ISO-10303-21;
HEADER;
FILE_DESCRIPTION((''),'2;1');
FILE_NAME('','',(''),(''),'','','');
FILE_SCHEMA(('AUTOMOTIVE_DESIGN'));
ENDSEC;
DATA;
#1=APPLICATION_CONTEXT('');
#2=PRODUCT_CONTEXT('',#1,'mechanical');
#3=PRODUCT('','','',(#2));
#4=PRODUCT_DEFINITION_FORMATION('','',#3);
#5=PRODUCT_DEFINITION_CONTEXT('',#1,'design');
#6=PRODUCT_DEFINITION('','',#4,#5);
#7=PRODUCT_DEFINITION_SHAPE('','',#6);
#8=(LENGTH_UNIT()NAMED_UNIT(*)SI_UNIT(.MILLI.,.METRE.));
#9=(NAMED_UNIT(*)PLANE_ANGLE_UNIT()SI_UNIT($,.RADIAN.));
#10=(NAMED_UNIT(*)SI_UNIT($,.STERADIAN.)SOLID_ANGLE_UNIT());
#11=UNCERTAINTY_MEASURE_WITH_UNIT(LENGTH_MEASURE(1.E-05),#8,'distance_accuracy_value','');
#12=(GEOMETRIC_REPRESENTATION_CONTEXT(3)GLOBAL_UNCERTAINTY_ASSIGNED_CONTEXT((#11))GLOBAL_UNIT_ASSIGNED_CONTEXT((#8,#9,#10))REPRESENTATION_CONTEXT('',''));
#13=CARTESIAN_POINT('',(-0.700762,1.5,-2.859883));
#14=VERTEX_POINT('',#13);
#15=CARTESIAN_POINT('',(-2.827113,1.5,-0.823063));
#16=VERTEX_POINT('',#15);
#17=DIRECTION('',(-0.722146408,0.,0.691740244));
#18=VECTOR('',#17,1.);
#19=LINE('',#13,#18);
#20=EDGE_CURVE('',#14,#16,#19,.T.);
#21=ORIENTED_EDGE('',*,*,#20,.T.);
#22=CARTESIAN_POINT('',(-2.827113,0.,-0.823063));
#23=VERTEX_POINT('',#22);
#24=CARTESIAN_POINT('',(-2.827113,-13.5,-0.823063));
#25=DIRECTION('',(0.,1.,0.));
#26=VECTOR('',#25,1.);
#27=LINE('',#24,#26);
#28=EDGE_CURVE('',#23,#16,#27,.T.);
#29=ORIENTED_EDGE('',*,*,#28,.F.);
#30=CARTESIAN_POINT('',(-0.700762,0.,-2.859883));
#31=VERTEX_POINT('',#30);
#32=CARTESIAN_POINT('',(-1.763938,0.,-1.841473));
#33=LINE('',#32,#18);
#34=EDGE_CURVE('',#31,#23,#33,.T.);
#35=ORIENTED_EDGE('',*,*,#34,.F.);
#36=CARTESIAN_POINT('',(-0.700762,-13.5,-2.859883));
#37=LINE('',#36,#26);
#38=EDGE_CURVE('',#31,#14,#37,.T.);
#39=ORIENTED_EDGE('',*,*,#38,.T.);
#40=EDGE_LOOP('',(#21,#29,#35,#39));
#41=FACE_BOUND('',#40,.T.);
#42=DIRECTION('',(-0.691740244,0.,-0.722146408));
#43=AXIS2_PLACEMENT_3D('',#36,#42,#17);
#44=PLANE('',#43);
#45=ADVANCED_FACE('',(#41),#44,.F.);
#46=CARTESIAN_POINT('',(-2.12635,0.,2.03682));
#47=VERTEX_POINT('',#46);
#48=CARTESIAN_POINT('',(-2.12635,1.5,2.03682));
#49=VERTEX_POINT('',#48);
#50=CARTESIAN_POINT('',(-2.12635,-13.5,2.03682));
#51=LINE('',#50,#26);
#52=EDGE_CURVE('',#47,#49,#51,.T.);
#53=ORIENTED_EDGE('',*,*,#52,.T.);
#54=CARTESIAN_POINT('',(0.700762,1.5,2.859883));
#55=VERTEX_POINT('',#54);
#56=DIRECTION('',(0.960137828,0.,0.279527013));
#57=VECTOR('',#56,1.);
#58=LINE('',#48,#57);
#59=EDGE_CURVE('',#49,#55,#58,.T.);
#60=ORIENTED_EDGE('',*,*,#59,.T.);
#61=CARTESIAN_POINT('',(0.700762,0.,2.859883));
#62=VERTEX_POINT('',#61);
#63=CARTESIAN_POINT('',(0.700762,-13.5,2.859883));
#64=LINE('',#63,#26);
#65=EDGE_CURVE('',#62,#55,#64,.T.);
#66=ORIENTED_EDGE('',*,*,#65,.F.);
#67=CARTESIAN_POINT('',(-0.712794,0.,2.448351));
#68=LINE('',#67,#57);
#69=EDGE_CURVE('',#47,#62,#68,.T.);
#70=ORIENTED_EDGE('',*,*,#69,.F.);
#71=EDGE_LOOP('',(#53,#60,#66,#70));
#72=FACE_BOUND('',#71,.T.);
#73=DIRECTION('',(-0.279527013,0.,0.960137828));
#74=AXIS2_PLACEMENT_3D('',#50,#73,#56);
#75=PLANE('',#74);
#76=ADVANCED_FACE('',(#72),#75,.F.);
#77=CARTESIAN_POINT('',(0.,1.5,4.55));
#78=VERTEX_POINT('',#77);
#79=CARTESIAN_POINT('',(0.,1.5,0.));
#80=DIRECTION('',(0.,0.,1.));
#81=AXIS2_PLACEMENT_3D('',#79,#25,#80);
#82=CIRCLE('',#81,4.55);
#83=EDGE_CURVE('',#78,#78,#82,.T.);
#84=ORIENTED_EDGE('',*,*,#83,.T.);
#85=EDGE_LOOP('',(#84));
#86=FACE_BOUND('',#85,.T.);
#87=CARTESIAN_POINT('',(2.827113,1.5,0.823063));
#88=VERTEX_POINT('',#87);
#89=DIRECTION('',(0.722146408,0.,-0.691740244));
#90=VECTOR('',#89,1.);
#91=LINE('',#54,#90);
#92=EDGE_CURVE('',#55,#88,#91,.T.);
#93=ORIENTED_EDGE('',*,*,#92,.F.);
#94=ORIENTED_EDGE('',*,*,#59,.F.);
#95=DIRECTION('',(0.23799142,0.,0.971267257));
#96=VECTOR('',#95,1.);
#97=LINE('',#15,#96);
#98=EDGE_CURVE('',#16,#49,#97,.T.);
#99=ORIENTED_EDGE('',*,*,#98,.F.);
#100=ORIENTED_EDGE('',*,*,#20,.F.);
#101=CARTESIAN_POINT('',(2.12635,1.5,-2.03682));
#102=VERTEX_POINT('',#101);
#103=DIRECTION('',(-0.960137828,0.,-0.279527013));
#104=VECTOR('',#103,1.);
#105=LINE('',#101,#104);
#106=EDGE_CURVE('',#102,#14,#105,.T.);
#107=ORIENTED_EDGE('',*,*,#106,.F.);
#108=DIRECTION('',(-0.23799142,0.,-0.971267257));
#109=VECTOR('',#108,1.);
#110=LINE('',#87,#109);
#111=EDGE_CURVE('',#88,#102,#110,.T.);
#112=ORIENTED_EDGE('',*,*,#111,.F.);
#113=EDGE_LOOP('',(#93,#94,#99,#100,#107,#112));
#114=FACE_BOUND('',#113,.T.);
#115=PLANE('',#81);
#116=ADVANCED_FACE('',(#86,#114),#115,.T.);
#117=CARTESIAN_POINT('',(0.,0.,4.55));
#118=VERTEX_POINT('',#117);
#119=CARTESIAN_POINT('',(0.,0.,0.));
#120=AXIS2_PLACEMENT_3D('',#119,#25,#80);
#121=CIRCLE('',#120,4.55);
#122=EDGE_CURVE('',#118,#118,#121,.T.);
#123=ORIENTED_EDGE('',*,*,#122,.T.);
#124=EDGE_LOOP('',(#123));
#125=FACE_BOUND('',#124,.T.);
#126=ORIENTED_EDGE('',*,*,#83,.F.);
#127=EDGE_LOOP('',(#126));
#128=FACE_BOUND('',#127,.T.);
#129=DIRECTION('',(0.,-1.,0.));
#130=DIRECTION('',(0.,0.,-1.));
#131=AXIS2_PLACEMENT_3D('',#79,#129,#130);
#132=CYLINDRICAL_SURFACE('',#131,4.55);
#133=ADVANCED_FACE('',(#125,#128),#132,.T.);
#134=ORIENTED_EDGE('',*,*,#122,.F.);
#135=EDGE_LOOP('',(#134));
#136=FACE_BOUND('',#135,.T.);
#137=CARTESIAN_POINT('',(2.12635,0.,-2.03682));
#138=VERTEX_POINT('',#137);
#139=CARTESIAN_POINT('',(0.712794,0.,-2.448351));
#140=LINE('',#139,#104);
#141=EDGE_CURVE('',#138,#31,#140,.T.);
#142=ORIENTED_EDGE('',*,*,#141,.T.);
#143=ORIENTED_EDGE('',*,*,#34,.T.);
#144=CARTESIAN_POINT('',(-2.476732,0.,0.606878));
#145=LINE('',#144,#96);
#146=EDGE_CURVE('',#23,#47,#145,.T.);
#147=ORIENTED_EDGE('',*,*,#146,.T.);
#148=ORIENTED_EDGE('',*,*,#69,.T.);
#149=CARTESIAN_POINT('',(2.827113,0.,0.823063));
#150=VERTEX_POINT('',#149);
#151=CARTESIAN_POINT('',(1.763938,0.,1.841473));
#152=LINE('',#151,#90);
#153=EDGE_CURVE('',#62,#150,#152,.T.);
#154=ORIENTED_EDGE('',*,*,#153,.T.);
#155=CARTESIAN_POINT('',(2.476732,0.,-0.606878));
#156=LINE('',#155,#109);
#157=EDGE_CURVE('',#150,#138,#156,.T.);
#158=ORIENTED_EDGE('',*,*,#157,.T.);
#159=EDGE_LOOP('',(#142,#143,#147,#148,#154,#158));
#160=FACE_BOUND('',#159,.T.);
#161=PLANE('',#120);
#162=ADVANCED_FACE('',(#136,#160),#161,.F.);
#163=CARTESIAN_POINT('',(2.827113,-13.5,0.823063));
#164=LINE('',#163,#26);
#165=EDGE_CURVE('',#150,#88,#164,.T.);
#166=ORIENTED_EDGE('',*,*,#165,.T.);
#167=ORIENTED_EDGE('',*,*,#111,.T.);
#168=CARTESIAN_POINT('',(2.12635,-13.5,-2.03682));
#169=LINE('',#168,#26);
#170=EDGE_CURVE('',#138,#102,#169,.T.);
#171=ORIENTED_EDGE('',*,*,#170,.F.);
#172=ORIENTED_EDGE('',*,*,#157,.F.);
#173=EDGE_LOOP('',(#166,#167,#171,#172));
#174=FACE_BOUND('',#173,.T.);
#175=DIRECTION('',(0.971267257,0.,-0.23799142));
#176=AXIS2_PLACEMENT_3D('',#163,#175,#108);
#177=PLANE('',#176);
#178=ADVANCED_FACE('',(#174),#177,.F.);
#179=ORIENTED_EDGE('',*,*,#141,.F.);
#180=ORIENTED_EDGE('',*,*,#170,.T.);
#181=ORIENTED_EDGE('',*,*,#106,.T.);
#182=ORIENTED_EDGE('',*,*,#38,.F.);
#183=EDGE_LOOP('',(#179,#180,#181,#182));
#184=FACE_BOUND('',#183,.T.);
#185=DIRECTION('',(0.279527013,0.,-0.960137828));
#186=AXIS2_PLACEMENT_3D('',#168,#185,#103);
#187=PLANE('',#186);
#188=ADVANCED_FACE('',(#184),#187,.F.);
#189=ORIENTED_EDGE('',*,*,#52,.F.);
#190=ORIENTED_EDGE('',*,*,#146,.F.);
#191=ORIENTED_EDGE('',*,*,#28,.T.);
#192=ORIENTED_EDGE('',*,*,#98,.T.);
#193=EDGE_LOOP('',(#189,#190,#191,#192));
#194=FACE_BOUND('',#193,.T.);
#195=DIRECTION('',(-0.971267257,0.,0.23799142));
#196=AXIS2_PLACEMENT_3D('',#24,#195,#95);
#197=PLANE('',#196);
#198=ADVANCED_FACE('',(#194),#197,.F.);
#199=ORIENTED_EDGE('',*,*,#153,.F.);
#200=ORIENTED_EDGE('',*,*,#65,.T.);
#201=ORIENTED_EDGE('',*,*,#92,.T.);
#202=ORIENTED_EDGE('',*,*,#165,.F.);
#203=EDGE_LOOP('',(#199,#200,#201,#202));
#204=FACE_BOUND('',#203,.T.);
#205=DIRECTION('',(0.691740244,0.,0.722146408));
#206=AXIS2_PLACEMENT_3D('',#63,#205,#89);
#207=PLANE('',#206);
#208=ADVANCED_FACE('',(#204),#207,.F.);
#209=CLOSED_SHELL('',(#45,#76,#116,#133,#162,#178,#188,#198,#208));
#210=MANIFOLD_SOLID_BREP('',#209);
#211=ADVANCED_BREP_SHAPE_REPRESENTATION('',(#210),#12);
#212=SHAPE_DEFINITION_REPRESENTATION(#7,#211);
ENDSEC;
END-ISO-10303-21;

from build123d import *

# Parameters (mm, degrees)
SKETCH1_R           = 4.55
BOSS_EXTRUDE1_DEPTH = 1.5
CUT_EXTRUDE1_DEPTH  = 15


with BuildPart() as part:
    # Sketch1 → Boss-Extrude1 (new body)
    with BuildSketch(Plane(origin=(0, 0, 0), x_dir=(1, 0, 0), z_dir=(0, 1, 0))):
        with Locations(Location((0, 0, 0), (0, 0, 270))):
            Circle(SKETCH1_R)
    extrude(amount=BOSS_EXTRUDE1_DEPTH)

    # Sketch2 → Cut-Extrude1 (cut)
    with BuildSketch(Plane(origin=(0, 1.5, 0), x_dir=(1, 0, 0), z_dir=(0, 1, 0))):
        Polygon((-2.126350259, -2.036819721), (0.700762492, -2.859883202), (2.827112751, -0.823063481), (2.126350259, 2.036819721), (-0.700762492, 2.859883202), (-2.827112751, 0.823063481), align=None)
    extrude(amount=-CUT_EXTRUDE1_DEPTH, mode=Mode.SUBTRACT)


solid = part.part
